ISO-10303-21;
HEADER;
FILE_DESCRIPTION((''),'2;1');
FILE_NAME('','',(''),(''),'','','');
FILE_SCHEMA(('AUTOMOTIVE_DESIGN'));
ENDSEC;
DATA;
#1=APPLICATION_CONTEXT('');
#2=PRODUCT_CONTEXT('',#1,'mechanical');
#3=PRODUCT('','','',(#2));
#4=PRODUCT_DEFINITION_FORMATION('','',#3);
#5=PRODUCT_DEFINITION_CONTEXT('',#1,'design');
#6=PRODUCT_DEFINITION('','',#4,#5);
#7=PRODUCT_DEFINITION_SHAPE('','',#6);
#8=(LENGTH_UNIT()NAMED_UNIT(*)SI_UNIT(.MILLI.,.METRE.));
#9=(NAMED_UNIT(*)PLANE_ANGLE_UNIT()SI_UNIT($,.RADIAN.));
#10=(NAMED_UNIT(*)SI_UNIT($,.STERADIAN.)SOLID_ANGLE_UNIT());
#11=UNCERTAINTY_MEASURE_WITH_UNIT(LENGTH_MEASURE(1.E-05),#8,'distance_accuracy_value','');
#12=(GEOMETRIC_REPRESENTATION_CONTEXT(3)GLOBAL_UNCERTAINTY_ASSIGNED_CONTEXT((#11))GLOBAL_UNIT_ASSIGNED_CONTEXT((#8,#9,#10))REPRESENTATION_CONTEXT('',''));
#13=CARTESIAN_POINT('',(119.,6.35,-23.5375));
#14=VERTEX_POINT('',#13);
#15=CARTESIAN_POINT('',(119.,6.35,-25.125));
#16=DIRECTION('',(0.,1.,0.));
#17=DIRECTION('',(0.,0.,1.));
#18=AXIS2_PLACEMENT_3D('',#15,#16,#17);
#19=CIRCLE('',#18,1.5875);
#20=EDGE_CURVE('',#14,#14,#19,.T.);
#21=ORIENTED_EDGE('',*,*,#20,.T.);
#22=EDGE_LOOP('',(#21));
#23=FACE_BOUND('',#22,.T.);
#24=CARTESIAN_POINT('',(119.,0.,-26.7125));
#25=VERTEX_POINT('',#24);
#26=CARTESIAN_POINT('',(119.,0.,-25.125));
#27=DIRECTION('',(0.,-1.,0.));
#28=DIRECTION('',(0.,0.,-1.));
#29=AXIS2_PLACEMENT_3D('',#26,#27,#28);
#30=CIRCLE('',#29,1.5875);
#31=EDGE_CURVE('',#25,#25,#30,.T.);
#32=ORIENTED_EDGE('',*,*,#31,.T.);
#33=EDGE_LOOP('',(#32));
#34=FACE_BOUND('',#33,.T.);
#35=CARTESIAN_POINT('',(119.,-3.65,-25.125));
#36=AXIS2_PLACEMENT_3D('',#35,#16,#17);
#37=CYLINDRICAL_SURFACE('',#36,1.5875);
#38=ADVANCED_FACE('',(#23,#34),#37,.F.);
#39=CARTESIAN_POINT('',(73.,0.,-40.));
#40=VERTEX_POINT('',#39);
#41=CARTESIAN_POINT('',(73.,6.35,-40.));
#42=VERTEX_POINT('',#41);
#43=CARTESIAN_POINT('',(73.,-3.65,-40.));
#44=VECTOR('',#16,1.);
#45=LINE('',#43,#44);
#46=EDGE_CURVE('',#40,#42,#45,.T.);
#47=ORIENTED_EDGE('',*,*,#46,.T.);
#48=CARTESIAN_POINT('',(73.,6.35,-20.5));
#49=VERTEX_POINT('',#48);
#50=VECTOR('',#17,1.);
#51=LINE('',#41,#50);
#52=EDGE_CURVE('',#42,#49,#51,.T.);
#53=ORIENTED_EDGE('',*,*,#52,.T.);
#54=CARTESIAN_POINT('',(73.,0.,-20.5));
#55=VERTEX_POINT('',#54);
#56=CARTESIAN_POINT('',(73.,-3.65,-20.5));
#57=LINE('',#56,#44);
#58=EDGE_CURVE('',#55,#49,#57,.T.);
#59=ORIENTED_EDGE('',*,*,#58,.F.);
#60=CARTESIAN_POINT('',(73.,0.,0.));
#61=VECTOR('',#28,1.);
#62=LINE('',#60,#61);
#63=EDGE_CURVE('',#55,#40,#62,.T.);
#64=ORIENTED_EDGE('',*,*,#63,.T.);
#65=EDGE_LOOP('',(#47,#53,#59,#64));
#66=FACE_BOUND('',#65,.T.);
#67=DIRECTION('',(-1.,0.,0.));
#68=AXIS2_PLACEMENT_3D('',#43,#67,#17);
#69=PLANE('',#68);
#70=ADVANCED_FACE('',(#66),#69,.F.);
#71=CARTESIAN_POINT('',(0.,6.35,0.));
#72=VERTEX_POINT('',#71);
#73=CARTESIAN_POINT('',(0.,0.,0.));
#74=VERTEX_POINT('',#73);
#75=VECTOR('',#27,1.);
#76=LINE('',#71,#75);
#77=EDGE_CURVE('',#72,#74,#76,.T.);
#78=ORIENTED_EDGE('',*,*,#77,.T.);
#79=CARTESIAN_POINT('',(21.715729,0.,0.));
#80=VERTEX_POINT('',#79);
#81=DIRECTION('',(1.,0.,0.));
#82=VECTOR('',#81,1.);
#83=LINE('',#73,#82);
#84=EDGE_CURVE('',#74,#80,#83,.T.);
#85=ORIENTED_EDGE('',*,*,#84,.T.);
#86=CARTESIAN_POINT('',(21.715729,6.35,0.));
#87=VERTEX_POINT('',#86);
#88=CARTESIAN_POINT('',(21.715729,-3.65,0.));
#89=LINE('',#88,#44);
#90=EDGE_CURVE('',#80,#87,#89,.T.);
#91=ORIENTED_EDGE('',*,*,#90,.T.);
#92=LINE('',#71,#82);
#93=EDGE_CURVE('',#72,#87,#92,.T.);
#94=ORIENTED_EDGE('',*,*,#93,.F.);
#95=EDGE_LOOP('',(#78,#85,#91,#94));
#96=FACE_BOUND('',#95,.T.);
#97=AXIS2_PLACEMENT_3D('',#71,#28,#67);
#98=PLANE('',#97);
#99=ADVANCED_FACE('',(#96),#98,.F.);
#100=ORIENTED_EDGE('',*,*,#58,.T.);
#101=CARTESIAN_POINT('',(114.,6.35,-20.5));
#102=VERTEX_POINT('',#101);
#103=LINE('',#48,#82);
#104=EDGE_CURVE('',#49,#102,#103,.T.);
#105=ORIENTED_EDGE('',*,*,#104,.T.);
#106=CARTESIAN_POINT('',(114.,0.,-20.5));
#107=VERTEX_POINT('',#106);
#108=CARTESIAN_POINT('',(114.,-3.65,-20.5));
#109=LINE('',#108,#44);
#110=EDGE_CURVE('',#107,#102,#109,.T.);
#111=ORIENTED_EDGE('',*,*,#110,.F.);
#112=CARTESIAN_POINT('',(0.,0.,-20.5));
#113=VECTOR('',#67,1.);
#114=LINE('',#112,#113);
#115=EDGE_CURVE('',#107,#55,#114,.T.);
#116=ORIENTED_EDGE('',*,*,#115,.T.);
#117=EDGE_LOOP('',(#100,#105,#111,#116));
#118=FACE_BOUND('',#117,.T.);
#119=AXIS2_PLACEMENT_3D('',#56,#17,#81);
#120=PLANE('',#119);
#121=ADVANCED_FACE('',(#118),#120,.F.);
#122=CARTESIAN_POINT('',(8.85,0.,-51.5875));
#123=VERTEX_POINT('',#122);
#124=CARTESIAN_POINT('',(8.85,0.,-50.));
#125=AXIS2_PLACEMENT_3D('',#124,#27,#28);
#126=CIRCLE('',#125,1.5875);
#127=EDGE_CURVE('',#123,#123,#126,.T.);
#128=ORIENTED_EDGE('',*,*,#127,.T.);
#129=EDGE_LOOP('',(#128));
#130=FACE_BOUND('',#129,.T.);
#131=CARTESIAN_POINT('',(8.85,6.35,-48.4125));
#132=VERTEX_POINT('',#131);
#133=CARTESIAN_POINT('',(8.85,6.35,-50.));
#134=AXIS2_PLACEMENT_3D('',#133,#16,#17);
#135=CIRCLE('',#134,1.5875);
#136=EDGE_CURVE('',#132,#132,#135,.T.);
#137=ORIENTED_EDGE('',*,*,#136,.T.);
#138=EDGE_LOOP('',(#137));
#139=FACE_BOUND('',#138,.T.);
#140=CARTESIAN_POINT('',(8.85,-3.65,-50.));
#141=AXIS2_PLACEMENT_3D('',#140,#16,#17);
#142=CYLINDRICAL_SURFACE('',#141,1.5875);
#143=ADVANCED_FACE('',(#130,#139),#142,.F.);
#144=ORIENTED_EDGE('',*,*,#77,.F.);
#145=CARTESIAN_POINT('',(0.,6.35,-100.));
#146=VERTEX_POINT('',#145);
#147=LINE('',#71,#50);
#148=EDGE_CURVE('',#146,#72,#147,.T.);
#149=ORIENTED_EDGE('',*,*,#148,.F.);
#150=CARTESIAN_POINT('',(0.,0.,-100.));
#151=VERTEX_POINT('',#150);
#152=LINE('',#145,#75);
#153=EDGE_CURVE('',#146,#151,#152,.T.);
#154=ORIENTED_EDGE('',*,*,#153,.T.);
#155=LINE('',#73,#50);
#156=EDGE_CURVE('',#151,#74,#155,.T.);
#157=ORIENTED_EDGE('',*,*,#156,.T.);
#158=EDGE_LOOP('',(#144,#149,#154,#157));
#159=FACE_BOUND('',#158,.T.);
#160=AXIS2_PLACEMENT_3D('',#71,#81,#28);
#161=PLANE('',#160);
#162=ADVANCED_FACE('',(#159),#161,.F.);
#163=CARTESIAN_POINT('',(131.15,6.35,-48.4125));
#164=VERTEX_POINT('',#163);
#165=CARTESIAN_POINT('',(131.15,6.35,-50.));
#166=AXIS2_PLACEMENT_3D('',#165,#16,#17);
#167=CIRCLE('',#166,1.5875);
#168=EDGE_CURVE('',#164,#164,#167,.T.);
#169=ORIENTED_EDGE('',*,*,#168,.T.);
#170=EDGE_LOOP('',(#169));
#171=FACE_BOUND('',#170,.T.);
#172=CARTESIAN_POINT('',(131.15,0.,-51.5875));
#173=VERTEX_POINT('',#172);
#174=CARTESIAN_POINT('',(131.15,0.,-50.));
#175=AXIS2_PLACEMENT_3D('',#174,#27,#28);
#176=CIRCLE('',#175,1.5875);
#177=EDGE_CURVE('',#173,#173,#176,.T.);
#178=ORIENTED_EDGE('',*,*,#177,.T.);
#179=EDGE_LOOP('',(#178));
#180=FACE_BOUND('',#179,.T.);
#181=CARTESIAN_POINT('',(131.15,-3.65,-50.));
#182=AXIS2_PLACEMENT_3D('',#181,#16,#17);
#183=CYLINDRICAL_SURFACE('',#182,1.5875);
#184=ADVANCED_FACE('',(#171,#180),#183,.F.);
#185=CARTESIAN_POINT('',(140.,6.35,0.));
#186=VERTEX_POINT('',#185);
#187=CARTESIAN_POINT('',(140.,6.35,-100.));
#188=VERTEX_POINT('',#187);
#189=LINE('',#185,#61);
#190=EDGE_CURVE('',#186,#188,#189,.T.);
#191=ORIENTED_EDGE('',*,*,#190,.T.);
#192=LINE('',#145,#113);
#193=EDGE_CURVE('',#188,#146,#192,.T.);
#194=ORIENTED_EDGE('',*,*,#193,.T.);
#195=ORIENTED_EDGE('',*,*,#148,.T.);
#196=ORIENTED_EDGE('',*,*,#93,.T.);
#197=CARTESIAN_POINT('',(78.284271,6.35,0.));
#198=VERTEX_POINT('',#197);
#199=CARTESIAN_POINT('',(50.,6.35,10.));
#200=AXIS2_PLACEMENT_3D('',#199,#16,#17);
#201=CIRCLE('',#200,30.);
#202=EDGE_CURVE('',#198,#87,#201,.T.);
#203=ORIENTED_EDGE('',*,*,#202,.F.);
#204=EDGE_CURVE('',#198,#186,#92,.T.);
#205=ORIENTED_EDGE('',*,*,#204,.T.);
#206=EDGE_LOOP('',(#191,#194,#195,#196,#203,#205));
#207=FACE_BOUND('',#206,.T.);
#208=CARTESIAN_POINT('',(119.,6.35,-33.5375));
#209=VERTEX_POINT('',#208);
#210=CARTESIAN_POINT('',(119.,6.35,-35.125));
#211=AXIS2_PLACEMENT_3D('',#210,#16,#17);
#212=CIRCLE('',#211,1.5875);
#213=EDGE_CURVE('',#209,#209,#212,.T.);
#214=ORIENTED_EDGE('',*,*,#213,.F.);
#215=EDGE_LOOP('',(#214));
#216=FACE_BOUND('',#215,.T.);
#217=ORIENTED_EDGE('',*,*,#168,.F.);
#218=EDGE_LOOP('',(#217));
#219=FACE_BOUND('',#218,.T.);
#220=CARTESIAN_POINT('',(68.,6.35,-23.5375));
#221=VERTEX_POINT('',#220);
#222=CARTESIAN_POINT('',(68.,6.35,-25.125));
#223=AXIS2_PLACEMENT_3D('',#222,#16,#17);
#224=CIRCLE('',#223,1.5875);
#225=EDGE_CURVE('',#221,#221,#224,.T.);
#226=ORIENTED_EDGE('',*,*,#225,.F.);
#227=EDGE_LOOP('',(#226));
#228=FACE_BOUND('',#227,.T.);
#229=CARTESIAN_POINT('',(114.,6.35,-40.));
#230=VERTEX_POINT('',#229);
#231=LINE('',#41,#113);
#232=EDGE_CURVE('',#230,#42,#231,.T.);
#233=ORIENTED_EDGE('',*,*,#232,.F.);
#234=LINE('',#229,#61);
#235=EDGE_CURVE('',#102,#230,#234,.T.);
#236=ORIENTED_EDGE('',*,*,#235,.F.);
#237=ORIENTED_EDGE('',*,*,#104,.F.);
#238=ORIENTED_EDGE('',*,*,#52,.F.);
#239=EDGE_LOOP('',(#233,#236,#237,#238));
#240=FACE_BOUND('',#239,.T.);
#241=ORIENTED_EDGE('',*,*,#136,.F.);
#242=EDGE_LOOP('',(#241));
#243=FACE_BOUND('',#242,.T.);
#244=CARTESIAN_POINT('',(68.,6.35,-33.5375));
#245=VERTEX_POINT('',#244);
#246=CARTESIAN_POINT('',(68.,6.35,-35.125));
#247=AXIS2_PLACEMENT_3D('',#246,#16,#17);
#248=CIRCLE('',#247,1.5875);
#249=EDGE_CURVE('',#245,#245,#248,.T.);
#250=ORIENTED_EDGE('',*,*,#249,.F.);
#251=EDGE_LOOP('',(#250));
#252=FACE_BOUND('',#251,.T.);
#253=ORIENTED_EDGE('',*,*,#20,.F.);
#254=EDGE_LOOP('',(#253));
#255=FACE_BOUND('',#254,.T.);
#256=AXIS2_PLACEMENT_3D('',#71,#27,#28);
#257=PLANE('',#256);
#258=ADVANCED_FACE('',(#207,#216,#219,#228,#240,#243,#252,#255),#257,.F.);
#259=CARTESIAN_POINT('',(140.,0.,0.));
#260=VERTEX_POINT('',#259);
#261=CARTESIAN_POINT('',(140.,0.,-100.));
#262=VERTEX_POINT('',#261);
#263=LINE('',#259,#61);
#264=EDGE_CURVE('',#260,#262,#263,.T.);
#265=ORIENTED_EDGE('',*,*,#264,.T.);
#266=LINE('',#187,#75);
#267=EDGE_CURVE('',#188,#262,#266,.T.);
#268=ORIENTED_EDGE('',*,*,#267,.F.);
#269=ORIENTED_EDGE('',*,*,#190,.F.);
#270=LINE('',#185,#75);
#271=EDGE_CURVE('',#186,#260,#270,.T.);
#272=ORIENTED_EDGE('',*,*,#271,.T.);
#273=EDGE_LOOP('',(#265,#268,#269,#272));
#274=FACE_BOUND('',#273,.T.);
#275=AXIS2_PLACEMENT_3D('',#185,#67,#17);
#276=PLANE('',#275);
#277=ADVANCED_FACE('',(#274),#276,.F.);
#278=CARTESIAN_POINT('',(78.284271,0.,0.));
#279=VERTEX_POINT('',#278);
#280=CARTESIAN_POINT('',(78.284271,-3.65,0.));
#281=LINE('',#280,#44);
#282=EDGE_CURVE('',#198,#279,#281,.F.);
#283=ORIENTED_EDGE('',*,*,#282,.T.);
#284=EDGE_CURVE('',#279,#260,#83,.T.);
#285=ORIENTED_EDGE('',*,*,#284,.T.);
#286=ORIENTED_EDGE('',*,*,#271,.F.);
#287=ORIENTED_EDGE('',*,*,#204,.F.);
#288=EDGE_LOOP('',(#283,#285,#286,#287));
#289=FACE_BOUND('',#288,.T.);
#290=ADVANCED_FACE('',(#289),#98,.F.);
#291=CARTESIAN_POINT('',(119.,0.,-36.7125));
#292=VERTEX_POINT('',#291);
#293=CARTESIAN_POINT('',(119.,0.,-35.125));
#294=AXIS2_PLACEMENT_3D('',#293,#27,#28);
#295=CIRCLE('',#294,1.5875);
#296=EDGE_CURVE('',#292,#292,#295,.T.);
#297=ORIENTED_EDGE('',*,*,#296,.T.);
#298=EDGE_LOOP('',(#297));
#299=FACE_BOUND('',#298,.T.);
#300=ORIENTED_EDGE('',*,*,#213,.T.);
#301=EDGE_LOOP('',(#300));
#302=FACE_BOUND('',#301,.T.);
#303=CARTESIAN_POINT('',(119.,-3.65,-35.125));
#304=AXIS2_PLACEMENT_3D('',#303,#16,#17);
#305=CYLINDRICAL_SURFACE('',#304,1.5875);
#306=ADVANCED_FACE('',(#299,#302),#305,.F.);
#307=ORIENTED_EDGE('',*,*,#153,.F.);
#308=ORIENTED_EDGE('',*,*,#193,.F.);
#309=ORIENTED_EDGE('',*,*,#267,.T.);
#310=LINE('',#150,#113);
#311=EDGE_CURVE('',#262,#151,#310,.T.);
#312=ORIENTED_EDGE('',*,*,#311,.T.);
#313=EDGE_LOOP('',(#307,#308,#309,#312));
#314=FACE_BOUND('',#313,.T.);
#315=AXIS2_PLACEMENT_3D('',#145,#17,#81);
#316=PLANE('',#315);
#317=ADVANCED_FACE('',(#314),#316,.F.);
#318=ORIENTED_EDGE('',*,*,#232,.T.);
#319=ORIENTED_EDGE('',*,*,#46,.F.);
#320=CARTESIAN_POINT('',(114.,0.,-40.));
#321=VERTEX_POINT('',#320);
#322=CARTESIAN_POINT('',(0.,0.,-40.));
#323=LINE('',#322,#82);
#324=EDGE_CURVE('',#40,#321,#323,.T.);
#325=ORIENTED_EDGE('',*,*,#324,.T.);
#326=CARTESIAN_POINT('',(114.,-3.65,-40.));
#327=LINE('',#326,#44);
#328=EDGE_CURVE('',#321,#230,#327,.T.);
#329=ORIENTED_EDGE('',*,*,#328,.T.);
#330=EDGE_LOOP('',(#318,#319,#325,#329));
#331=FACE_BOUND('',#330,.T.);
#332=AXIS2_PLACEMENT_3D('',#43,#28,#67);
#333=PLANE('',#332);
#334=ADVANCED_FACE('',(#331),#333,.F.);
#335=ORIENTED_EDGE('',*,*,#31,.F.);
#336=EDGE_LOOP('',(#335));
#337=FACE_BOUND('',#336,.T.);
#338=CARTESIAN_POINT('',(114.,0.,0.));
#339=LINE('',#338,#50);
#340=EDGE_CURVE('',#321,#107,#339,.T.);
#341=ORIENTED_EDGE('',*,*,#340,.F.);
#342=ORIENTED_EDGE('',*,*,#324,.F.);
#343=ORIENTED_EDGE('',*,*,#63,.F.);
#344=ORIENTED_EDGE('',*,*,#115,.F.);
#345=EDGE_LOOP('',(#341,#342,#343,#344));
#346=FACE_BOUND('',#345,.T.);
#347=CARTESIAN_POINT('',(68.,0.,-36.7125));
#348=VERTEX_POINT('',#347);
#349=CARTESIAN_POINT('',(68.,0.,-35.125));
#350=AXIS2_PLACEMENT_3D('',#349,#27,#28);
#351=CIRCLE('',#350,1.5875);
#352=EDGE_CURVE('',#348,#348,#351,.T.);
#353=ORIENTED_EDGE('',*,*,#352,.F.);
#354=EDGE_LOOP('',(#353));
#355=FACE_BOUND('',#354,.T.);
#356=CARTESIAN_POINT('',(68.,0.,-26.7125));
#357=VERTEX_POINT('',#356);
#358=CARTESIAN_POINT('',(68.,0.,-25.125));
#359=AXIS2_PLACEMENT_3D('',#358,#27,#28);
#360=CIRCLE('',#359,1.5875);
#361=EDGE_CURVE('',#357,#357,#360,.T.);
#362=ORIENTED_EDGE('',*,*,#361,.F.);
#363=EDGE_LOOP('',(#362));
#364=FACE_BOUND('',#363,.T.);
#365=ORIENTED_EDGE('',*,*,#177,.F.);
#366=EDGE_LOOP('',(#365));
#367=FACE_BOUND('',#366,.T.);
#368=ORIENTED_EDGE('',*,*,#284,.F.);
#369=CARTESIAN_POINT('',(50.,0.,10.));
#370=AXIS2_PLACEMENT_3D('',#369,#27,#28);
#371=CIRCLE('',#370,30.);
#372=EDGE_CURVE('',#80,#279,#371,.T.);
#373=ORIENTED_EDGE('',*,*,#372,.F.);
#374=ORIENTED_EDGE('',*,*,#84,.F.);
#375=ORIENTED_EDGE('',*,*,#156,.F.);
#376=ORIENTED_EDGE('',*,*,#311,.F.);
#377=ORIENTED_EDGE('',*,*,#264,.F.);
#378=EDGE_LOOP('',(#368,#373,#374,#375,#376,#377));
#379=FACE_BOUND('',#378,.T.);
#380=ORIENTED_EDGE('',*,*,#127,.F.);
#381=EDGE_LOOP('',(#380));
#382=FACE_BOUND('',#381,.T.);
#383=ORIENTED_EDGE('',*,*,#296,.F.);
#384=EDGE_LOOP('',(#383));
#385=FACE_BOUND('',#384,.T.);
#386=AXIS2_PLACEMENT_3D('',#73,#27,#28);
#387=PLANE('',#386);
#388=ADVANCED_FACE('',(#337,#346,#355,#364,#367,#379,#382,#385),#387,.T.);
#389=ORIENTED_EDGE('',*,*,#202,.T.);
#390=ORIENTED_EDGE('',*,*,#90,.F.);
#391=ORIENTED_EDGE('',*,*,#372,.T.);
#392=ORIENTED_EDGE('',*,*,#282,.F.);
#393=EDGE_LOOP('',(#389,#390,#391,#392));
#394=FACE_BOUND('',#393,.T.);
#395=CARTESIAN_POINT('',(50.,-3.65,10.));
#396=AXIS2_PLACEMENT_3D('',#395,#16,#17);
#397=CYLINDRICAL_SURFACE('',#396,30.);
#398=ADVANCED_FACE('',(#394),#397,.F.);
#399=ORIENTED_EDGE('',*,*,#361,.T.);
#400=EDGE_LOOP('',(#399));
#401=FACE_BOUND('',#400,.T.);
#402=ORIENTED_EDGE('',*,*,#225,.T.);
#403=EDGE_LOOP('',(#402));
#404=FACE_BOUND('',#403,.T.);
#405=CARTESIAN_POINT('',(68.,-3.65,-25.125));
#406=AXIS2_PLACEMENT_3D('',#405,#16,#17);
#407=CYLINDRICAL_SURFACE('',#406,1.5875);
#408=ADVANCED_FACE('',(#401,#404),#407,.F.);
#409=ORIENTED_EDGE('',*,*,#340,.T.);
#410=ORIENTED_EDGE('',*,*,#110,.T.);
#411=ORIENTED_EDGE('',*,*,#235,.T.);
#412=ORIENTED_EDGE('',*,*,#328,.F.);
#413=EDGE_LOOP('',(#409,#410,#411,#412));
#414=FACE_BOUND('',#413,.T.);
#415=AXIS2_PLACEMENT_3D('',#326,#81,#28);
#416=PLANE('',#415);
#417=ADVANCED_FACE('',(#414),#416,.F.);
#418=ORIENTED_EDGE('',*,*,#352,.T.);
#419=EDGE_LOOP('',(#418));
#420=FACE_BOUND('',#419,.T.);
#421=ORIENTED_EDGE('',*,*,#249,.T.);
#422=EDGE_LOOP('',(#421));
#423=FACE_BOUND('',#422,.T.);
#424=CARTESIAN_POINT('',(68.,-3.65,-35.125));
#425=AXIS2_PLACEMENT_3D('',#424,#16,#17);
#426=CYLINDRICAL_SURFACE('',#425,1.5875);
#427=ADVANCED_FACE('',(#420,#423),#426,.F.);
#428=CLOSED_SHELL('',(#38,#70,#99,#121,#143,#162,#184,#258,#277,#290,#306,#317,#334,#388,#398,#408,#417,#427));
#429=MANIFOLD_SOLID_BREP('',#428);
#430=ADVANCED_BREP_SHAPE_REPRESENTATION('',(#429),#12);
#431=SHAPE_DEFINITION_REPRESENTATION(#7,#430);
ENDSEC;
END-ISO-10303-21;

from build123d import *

# Parameters (mm, degrees)
SKETCH1_W           = 140
SKETCH1_H           = 100
BOSS_EXTRUDE1_DEPTH = 6.35
SKETCH2_W           = 41
SKETCH2_H           = 19.5
CUT_EXTRUDE1_DEPTH  = 10
SKETCH3_R           = 30
CUT_EXTRUDE2_DEPTH  = 10
SKETCH4_R           = 1.5875
CUT_EXTRUDE3_DEPTH  = 10


with BuildPart() as part:
    # Sketch1 → Boss-Extrude1 (new body)
    with BuildSketch(Plane(origin=(0, 0, 0), x_dir=(1, 0, 0), z_dir=(0, 1, 0))):
        with Locations((70, 50)):
            Rectangle(SKETCH1_W, SKETCH1_H)
    extrude(amount=BOSS_EXTRUDE1_DEPTH)

    # Sketch2 → Cut-Extrude1 (cut)
    with BuildSketch(Plane(origin=(0, 6.35, 0), x_dir=(1, 0, 0), z_dir=(0, 1, 0))):
        with Locations((93.5, 30.25)):
            Rectangle(SKETCH2_W, SKETCH2_H)
    extrude(amount=-CUT_EXTRUDE1_DEPTH, mode=Mode.SUBTRACT)

    # Sketch3 → Cut-Extrude2 (cut)
    with BuildSketch(Plane(origin=(0, 6.35, 0), x_dir=(1, 0, 0), z_dir=(0, 1, 0))):
        with Locations((50, -10)):
            Circle(SKETCH3_R)
    extrude(amount=-CUT_EXTRUDE2_DEPTH, mode=Mode.SUBTRACT)

    # Sketch4 → Cut-Extrude3 (cut)
    with BuildSketch(Plane(origin=(0, 6.35, 0), x_dir=(1, 0, 0), z_dir=(0, 1, 0))):
        with Locations(Location((131.15, 50, 0), (0, 0, 270))):
            Circle(SKETCH4_R)
        with Locations(Location((8.85, 50, 0), (0, 0, 270))):
            Circle(SKETCH4_R)
        with Locations(Location((68, 25.125, 0), (0, 0, 270))):
            Circle(SKETCH4_R)
        with Locations(Location((119, 35.125, 0), (0, 0, 270))):
            Circle(SKETCH4_R)
        with Locations(Location((68, 35.125, 0), (0, 0, 270))):
            Circle(SKETCH4_R)
        with Locations(Location((119, 25.125, 0), (0, 0, 270))):
            Circle(SKETCH4_R)
    extrude(amount=-CUT_EXTRUDE3_DEPTH, mode=Mode.SUBTRACT)


solid = part.part
